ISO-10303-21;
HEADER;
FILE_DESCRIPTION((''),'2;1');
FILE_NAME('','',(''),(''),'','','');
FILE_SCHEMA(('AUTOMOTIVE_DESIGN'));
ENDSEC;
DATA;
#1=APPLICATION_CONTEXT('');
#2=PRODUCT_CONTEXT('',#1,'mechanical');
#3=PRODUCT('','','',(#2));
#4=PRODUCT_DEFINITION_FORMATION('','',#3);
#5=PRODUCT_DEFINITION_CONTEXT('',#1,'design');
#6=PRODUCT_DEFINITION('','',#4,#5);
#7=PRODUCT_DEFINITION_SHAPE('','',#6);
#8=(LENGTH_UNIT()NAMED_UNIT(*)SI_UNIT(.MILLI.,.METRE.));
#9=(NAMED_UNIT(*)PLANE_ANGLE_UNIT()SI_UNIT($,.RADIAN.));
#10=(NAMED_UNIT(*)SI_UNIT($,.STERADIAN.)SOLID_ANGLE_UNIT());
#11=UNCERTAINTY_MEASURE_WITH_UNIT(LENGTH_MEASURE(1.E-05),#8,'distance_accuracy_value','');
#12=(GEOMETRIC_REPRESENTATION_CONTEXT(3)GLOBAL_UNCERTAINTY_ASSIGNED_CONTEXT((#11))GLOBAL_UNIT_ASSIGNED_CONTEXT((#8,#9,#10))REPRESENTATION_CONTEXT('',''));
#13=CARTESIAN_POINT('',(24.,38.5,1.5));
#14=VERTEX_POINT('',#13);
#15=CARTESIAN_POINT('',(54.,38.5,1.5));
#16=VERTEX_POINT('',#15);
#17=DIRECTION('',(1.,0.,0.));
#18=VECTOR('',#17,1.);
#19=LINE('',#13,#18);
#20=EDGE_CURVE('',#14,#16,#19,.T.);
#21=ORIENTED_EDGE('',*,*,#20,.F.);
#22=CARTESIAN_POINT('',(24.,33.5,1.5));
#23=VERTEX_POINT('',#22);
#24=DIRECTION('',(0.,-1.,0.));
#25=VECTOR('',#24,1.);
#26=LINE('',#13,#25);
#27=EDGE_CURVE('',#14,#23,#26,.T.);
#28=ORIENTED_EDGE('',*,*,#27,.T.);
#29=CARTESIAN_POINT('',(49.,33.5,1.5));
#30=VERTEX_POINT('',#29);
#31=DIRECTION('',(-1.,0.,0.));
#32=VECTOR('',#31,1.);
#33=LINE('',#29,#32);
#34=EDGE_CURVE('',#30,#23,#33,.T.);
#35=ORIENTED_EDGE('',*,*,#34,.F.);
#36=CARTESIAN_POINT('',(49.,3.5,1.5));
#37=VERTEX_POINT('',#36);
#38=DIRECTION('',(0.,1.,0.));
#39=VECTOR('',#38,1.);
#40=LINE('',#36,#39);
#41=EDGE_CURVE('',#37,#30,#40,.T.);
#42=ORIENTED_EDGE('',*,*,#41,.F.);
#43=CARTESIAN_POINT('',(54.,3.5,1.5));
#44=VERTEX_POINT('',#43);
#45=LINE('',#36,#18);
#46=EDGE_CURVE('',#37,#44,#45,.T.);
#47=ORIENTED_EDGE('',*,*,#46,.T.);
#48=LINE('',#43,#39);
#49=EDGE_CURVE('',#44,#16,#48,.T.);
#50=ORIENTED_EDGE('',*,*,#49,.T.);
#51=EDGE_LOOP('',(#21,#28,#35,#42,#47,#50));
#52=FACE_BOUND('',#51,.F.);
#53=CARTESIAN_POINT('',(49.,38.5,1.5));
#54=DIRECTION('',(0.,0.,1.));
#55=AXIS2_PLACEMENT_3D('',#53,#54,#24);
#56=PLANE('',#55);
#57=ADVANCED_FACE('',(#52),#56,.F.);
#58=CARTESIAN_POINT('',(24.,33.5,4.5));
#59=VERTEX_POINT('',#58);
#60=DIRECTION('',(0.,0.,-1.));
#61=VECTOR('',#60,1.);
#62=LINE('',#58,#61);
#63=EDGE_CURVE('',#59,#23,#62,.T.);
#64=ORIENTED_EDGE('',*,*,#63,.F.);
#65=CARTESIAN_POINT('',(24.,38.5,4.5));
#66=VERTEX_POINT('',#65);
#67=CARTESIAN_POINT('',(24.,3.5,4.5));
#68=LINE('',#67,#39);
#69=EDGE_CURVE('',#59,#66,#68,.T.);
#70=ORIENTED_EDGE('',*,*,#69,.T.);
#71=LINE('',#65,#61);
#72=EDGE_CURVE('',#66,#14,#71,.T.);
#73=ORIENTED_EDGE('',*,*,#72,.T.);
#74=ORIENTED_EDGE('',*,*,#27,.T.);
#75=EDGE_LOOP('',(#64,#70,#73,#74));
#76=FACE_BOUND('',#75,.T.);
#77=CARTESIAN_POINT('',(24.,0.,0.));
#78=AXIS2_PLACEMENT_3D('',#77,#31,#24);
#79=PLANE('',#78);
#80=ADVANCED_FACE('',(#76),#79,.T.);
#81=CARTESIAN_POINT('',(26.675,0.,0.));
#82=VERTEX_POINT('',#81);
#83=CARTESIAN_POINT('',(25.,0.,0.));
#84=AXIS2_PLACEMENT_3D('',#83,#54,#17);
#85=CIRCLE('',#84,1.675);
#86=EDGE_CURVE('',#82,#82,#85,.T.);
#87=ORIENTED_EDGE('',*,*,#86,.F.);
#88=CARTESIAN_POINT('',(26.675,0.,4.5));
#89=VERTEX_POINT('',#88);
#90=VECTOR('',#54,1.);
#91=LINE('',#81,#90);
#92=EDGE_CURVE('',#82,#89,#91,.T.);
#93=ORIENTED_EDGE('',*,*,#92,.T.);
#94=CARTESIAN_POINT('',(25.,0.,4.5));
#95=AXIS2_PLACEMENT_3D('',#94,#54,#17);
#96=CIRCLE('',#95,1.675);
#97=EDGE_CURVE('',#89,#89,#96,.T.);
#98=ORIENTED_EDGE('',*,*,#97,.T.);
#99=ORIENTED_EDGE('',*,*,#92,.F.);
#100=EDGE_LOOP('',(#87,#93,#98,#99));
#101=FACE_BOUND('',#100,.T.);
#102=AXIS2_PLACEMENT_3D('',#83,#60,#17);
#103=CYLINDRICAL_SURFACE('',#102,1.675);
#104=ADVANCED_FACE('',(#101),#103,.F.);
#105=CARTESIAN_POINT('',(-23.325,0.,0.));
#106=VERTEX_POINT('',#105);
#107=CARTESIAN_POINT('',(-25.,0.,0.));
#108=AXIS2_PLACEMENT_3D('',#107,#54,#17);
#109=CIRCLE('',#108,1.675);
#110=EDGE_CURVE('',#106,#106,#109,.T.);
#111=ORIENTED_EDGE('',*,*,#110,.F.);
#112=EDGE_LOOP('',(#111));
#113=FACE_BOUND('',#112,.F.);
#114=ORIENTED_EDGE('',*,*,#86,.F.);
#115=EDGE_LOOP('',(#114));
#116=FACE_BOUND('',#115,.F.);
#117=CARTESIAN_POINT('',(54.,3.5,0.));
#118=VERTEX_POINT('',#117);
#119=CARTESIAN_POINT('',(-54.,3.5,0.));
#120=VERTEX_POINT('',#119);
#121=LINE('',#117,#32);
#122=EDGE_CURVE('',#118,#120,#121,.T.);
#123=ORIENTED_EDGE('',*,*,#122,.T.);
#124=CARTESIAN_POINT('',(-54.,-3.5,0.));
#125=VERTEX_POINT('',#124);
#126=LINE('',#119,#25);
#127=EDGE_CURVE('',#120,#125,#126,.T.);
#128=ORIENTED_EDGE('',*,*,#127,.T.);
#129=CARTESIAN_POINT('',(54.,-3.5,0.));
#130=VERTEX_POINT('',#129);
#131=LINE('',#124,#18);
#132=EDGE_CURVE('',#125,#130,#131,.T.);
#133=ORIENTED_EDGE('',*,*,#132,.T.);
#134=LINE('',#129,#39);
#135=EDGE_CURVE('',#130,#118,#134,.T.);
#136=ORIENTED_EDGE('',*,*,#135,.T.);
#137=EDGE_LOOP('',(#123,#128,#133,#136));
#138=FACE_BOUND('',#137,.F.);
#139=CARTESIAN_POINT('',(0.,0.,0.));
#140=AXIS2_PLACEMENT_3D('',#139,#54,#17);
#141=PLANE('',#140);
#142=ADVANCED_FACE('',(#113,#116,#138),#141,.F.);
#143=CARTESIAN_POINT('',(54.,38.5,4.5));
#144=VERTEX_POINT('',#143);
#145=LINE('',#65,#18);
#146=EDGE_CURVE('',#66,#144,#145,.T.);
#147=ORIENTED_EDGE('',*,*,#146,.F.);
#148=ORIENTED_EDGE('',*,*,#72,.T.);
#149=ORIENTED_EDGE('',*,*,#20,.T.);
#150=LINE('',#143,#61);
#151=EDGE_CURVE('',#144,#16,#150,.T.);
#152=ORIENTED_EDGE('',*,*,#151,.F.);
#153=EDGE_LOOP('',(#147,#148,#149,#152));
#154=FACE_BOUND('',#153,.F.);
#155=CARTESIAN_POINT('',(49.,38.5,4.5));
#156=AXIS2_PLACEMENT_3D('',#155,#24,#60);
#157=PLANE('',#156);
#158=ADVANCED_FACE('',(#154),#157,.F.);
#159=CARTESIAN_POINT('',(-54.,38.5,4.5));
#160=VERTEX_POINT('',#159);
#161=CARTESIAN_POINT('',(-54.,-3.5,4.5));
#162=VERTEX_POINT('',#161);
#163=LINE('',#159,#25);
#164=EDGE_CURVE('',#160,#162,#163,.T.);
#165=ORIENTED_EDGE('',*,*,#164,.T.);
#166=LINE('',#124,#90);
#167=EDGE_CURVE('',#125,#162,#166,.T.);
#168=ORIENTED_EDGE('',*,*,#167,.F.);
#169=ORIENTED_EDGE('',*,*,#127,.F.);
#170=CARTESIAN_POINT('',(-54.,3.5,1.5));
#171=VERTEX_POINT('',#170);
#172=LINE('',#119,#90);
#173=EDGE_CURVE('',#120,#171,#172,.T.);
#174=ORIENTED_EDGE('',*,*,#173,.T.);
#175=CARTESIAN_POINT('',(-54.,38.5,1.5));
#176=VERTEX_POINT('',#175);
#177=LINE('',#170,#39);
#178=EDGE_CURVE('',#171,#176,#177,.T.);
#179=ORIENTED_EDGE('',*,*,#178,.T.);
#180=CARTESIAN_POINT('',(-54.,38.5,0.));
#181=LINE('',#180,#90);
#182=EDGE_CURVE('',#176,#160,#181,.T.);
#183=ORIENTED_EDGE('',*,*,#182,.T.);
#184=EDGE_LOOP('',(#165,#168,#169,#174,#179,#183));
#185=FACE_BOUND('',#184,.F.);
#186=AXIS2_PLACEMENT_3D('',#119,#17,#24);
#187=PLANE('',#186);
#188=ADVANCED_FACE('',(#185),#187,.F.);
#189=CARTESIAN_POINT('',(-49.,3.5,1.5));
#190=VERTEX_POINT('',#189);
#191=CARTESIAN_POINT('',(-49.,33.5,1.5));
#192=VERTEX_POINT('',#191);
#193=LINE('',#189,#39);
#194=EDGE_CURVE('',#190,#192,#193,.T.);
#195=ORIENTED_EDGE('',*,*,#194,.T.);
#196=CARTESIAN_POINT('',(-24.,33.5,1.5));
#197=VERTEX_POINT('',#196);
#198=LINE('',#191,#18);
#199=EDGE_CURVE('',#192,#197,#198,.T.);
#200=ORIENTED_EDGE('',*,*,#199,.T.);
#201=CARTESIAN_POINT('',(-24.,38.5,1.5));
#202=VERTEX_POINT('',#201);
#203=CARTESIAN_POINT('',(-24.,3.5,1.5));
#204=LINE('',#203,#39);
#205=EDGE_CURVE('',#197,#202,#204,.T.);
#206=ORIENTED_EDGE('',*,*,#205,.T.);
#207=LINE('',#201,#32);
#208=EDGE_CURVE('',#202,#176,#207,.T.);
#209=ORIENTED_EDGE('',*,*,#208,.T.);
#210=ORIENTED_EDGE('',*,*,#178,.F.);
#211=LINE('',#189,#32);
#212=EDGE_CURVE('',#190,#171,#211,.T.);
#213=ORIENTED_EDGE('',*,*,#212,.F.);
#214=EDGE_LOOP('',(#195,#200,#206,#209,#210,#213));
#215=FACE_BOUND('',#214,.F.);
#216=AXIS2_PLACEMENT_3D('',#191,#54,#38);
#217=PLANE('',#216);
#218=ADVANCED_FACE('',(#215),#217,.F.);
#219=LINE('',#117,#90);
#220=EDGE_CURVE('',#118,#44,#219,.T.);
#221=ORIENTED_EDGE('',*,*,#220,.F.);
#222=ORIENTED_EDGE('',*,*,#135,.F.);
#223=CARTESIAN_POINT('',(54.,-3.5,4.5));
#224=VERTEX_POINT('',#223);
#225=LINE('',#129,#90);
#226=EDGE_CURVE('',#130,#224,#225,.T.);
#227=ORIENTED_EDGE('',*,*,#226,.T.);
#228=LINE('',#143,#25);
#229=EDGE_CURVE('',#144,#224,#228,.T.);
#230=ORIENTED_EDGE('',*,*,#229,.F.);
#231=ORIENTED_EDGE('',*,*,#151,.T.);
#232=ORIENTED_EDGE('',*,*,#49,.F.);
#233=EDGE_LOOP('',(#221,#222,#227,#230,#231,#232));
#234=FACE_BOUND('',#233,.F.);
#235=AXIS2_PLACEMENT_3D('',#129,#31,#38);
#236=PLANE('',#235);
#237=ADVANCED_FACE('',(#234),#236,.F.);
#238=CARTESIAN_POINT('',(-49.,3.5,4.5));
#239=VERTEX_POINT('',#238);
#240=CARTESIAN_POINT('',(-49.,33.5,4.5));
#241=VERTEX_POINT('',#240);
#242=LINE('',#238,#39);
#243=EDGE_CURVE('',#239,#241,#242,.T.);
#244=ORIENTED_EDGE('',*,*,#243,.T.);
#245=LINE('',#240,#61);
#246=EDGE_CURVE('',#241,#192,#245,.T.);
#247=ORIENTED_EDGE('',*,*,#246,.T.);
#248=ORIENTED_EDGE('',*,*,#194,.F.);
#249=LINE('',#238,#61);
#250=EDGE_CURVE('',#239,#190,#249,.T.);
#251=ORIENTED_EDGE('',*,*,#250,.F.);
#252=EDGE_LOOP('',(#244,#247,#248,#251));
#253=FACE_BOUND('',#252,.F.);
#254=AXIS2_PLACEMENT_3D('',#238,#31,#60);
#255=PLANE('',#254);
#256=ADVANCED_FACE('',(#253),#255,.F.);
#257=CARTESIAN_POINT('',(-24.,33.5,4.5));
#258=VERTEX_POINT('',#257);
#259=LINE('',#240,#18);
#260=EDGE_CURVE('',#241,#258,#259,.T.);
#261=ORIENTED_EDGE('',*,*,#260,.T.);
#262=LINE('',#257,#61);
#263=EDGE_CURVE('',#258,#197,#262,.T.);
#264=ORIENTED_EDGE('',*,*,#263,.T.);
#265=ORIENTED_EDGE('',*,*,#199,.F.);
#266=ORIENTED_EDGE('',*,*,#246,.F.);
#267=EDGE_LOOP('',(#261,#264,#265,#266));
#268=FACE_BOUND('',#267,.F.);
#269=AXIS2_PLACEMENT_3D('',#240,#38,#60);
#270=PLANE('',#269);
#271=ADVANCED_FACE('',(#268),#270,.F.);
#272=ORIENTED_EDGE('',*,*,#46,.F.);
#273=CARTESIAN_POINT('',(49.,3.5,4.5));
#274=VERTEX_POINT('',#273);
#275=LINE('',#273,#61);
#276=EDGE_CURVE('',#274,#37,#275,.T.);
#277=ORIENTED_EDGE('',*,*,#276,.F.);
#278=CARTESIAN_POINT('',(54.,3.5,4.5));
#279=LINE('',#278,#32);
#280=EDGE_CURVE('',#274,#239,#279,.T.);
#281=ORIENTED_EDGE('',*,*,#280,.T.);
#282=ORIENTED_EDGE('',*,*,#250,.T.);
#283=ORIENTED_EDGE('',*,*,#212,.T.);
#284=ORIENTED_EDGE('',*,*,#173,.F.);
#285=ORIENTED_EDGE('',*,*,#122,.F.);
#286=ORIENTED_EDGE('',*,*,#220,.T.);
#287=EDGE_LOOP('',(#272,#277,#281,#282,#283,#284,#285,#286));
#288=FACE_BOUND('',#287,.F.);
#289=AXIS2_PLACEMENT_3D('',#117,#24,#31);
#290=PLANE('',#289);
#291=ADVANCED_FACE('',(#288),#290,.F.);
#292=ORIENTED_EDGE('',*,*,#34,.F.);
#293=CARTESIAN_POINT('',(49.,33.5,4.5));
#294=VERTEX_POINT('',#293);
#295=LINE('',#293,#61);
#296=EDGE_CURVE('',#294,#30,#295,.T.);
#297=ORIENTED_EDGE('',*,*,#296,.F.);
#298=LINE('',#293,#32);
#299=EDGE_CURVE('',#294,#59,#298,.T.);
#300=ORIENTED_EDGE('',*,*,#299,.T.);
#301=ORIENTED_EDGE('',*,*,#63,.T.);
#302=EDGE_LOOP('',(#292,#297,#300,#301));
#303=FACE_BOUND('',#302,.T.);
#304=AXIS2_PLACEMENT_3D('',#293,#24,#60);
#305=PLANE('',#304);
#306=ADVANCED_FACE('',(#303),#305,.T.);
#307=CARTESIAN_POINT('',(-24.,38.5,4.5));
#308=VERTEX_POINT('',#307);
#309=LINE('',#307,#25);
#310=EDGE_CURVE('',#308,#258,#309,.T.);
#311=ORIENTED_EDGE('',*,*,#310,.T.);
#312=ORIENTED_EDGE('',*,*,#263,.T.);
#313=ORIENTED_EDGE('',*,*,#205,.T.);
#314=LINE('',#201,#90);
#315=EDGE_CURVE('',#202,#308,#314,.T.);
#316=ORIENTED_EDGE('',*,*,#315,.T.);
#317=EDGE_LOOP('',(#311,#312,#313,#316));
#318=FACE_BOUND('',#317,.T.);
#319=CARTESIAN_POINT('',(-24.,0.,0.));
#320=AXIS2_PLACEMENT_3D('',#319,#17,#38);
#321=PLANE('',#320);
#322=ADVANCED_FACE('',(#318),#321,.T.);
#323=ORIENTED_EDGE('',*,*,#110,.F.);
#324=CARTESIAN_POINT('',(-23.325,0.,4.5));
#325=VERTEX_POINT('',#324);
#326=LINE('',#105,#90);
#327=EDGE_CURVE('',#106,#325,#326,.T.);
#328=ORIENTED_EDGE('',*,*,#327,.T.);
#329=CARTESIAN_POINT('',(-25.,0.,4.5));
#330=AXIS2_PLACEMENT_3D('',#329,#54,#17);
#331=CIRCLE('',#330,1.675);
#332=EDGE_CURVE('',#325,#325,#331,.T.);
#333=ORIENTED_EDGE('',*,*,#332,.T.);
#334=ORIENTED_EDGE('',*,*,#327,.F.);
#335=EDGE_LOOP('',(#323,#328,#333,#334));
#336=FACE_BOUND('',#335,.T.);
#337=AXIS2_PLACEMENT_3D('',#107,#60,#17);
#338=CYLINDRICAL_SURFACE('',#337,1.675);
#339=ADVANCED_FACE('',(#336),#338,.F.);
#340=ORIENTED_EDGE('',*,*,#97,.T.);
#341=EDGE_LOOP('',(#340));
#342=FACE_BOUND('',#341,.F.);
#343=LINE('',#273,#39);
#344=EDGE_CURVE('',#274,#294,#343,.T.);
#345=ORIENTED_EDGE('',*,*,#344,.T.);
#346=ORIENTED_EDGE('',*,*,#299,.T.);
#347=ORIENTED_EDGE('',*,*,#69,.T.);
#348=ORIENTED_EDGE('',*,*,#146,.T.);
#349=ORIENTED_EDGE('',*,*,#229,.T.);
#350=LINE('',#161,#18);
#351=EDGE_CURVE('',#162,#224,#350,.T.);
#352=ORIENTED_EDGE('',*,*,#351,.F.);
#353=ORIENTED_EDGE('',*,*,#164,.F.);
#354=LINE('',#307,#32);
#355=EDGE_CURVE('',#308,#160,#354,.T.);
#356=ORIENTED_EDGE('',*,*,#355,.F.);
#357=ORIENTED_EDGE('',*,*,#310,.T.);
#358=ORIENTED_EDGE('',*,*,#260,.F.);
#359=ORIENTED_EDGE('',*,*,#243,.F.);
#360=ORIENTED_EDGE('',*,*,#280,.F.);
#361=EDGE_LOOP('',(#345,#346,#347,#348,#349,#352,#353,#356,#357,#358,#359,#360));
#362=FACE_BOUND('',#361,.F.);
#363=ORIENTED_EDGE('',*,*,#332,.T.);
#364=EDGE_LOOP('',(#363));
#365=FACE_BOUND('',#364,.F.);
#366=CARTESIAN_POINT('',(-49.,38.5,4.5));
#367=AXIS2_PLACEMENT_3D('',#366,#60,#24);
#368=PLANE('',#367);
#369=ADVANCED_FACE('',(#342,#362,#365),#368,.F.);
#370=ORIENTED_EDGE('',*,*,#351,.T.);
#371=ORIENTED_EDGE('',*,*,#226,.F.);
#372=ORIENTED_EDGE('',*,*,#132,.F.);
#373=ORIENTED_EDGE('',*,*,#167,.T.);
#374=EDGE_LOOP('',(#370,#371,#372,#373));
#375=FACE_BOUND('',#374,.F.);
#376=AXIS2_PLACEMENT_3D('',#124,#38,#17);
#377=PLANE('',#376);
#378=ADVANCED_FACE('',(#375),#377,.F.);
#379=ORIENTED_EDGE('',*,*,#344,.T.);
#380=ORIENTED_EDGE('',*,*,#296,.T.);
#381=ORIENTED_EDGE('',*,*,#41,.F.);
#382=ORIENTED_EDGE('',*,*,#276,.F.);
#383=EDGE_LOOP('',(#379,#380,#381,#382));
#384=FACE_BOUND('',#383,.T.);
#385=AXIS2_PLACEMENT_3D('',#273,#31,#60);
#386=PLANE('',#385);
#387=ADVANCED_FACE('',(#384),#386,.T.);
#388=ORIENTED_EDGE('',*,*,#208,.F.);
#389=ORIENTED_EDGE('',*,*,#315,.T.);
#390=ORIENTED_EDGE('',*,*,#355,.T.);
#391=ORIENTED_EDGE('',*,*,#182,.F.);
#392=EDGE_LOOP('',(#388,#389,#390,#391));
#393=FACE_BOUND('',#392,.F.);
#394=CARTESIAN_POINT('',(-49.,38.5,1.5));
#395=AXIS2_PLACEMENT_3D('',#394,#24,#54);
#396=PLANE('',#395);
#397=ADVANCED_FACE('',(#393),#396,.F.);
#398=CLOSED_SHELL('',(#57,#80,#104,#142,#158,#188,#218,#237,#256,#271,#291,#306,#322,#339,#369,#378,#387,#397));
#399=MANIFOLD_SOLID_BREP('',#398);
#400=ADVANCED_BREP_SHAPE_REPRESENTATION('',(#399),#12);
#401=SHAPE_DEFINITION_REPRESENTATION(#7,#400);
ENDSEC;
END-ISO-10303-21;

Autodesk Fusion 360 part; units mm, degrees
sketch "Sketch1" plane through (0, 0, 0) normal (0, 0, 1) x (1, 0, 0)
  line L0 (54, 3.5) -> (-54, 3.5)
  line L1 (-54, 3.5) -> (-54, -3.5)
  line L2 (-54, -3.5) -> (54, -3.5)
  line L3 (54, -3.5) -> (54, 3.5)
  line L4 (54, 3.5) -> (-54, -3.5) construction
  line L5 (-54, 3.5) -> (54, -3.5) construction
  circle A0 centre (-25, 0) radius 1.675
  line L6 (0, 3.5) -> (0, -3.5) construction
  circle A1 centre (25, 0) radius 1.675
  dimension "d1" = 108
  dimension "width" = 7
  dimension "d3" = 3.35
  dimension "d21" = 25
extrude "Extrude1" add sketch "Sketch1" along normal blind 4.5
sketch "Sketch2" plane through (0, 3.5, 0) normal (0, 1, 0) x (-1, 0, 0)
  line L0 (-54, 0) -> (54, 0)
  line L1 (54, 0) -> (54, 4.5)
  line L2 (54, 4.5) -> (-54, 4.5)
  line L3 (-54, 4.5) -> (-54, 0)
  line L4 (-54, 4.5) -> (-49, 4.5)
  line L5 (-49, 4.5) -> (-49, 1.5)
  line L6 (-49, 1.5) -> (-54, 1.5)
  line L7 (-54, 1.5) -> (-54, 4.5)
  line L8 (0, 4.5) -> (0, 0) construction
  line L9 (49, 4.5) -> (49, 1.5)
  line L10 (49, 1.5) -> (54, 1.5)
  line L11 (54, 1.5) -> (54, 4.5)
  line L12 (54, 4.5) -> (49, 4.5)
  dimension "d6" = 5
extrude "Extrude2" add sketch "Sketch2" along normal blind 35 contours L2 L3 L4 L5 L6 L7 | L1 L2 L9 L10 L11 L12
sketch "Sketch3" plane through (-49, 0, 0) normal (1, 0, 0) x (0, 1, 0)
  line L0 (3.5, 4.5) -> (3.5, 1.5)
  line L1 (3.5, 1.5) -> (38.5, 1.5)
  line L2 (38.5, 1.5) -> (38.5, 4.5)
  line L3 (38.5, 4.5) -> (3.5, 4.5)
  line L4 (38.5, 4.5) -> (33.5, 4.5)
  line L5 (33.5, 4.5) -> (33.5, 1.5)
  line L6 (33.5, 1.5) -> (38.5, 1.5)
  line L7 (38.5, 1.5) -> (38.5, 4.5)
  dimension "d9" = 5
sketch "Sketch4" plane through (49, 0, 0) normal (-1, 0, 0) x (0, -1, 0)
  line L0 (-3.5, 1.5) -> (-3.5, 4.5)
  line L1 (-3.5, 4.5) -> (-38.5, 4.5)
  line L2 (-38.5, 4.5) -> (-38.5, 1.5)
  line L3 (-38.5, 1.5) -> (-3.5, 1.5)
  line L4 (-38.5, 4.5) -> (-33.5, 4.5)
  line L5 (-33.5, 4.5) -> (-33.5, 1.5)
  line L6 (-33.5, 1.5) -> (-38.5, 1.5)
  line L7 (-38.5, 1.5) -> (-38.5, 4.5)
  dimension "d10" = 5
extrude "Extrude3" add sketch "Sketch4" along normal blind 25 contours L1 L2 L3 L4 L5 L6 L7
extrude "Extrude4" add sketch "Sketch3" along normal blind 25 contours L1 L2 L3 L4 L5 L6 L7
sketch "Sketch5" plane through (0, 0, 4.5) normal (0, 0, 1) x (-1, 0, 0)
  circle A0 centre (25, 0) radius 1.675
  circle A1 centre (-25, 0) radius 1.675
  line L0 (-54, 3.5) -> (-54, -38.5)
  line L1 (-54, -38.5) -> (-24, -38.5)
  line L2 (-24, -38.5) -> (-24, -33.5)
  line L3 (-24, -33.5) -> (-49, -33.5)
  line L4 (-49, -33.5) -> (-49, -3.5)
  line L5 (-49, -3.5) -> (49, -3.5)
  line L6 (49, -3.5) -> (49, -33.5)
  line L7 (49, -33.5) -> (24, -33.5)
  line L8 (24, -33.5) -> (24, -38.5)
  line L9 (24, -38.5) -> (54, -38.5)
  line L10 (54, -38.5) -> (54, 3.5)
  line L11 (54, 3.5) -> (-54, 3.5)
  line L12 (-24, -36) -> (-54, -36) construction
extrude "Extrude5" [suppressed]
